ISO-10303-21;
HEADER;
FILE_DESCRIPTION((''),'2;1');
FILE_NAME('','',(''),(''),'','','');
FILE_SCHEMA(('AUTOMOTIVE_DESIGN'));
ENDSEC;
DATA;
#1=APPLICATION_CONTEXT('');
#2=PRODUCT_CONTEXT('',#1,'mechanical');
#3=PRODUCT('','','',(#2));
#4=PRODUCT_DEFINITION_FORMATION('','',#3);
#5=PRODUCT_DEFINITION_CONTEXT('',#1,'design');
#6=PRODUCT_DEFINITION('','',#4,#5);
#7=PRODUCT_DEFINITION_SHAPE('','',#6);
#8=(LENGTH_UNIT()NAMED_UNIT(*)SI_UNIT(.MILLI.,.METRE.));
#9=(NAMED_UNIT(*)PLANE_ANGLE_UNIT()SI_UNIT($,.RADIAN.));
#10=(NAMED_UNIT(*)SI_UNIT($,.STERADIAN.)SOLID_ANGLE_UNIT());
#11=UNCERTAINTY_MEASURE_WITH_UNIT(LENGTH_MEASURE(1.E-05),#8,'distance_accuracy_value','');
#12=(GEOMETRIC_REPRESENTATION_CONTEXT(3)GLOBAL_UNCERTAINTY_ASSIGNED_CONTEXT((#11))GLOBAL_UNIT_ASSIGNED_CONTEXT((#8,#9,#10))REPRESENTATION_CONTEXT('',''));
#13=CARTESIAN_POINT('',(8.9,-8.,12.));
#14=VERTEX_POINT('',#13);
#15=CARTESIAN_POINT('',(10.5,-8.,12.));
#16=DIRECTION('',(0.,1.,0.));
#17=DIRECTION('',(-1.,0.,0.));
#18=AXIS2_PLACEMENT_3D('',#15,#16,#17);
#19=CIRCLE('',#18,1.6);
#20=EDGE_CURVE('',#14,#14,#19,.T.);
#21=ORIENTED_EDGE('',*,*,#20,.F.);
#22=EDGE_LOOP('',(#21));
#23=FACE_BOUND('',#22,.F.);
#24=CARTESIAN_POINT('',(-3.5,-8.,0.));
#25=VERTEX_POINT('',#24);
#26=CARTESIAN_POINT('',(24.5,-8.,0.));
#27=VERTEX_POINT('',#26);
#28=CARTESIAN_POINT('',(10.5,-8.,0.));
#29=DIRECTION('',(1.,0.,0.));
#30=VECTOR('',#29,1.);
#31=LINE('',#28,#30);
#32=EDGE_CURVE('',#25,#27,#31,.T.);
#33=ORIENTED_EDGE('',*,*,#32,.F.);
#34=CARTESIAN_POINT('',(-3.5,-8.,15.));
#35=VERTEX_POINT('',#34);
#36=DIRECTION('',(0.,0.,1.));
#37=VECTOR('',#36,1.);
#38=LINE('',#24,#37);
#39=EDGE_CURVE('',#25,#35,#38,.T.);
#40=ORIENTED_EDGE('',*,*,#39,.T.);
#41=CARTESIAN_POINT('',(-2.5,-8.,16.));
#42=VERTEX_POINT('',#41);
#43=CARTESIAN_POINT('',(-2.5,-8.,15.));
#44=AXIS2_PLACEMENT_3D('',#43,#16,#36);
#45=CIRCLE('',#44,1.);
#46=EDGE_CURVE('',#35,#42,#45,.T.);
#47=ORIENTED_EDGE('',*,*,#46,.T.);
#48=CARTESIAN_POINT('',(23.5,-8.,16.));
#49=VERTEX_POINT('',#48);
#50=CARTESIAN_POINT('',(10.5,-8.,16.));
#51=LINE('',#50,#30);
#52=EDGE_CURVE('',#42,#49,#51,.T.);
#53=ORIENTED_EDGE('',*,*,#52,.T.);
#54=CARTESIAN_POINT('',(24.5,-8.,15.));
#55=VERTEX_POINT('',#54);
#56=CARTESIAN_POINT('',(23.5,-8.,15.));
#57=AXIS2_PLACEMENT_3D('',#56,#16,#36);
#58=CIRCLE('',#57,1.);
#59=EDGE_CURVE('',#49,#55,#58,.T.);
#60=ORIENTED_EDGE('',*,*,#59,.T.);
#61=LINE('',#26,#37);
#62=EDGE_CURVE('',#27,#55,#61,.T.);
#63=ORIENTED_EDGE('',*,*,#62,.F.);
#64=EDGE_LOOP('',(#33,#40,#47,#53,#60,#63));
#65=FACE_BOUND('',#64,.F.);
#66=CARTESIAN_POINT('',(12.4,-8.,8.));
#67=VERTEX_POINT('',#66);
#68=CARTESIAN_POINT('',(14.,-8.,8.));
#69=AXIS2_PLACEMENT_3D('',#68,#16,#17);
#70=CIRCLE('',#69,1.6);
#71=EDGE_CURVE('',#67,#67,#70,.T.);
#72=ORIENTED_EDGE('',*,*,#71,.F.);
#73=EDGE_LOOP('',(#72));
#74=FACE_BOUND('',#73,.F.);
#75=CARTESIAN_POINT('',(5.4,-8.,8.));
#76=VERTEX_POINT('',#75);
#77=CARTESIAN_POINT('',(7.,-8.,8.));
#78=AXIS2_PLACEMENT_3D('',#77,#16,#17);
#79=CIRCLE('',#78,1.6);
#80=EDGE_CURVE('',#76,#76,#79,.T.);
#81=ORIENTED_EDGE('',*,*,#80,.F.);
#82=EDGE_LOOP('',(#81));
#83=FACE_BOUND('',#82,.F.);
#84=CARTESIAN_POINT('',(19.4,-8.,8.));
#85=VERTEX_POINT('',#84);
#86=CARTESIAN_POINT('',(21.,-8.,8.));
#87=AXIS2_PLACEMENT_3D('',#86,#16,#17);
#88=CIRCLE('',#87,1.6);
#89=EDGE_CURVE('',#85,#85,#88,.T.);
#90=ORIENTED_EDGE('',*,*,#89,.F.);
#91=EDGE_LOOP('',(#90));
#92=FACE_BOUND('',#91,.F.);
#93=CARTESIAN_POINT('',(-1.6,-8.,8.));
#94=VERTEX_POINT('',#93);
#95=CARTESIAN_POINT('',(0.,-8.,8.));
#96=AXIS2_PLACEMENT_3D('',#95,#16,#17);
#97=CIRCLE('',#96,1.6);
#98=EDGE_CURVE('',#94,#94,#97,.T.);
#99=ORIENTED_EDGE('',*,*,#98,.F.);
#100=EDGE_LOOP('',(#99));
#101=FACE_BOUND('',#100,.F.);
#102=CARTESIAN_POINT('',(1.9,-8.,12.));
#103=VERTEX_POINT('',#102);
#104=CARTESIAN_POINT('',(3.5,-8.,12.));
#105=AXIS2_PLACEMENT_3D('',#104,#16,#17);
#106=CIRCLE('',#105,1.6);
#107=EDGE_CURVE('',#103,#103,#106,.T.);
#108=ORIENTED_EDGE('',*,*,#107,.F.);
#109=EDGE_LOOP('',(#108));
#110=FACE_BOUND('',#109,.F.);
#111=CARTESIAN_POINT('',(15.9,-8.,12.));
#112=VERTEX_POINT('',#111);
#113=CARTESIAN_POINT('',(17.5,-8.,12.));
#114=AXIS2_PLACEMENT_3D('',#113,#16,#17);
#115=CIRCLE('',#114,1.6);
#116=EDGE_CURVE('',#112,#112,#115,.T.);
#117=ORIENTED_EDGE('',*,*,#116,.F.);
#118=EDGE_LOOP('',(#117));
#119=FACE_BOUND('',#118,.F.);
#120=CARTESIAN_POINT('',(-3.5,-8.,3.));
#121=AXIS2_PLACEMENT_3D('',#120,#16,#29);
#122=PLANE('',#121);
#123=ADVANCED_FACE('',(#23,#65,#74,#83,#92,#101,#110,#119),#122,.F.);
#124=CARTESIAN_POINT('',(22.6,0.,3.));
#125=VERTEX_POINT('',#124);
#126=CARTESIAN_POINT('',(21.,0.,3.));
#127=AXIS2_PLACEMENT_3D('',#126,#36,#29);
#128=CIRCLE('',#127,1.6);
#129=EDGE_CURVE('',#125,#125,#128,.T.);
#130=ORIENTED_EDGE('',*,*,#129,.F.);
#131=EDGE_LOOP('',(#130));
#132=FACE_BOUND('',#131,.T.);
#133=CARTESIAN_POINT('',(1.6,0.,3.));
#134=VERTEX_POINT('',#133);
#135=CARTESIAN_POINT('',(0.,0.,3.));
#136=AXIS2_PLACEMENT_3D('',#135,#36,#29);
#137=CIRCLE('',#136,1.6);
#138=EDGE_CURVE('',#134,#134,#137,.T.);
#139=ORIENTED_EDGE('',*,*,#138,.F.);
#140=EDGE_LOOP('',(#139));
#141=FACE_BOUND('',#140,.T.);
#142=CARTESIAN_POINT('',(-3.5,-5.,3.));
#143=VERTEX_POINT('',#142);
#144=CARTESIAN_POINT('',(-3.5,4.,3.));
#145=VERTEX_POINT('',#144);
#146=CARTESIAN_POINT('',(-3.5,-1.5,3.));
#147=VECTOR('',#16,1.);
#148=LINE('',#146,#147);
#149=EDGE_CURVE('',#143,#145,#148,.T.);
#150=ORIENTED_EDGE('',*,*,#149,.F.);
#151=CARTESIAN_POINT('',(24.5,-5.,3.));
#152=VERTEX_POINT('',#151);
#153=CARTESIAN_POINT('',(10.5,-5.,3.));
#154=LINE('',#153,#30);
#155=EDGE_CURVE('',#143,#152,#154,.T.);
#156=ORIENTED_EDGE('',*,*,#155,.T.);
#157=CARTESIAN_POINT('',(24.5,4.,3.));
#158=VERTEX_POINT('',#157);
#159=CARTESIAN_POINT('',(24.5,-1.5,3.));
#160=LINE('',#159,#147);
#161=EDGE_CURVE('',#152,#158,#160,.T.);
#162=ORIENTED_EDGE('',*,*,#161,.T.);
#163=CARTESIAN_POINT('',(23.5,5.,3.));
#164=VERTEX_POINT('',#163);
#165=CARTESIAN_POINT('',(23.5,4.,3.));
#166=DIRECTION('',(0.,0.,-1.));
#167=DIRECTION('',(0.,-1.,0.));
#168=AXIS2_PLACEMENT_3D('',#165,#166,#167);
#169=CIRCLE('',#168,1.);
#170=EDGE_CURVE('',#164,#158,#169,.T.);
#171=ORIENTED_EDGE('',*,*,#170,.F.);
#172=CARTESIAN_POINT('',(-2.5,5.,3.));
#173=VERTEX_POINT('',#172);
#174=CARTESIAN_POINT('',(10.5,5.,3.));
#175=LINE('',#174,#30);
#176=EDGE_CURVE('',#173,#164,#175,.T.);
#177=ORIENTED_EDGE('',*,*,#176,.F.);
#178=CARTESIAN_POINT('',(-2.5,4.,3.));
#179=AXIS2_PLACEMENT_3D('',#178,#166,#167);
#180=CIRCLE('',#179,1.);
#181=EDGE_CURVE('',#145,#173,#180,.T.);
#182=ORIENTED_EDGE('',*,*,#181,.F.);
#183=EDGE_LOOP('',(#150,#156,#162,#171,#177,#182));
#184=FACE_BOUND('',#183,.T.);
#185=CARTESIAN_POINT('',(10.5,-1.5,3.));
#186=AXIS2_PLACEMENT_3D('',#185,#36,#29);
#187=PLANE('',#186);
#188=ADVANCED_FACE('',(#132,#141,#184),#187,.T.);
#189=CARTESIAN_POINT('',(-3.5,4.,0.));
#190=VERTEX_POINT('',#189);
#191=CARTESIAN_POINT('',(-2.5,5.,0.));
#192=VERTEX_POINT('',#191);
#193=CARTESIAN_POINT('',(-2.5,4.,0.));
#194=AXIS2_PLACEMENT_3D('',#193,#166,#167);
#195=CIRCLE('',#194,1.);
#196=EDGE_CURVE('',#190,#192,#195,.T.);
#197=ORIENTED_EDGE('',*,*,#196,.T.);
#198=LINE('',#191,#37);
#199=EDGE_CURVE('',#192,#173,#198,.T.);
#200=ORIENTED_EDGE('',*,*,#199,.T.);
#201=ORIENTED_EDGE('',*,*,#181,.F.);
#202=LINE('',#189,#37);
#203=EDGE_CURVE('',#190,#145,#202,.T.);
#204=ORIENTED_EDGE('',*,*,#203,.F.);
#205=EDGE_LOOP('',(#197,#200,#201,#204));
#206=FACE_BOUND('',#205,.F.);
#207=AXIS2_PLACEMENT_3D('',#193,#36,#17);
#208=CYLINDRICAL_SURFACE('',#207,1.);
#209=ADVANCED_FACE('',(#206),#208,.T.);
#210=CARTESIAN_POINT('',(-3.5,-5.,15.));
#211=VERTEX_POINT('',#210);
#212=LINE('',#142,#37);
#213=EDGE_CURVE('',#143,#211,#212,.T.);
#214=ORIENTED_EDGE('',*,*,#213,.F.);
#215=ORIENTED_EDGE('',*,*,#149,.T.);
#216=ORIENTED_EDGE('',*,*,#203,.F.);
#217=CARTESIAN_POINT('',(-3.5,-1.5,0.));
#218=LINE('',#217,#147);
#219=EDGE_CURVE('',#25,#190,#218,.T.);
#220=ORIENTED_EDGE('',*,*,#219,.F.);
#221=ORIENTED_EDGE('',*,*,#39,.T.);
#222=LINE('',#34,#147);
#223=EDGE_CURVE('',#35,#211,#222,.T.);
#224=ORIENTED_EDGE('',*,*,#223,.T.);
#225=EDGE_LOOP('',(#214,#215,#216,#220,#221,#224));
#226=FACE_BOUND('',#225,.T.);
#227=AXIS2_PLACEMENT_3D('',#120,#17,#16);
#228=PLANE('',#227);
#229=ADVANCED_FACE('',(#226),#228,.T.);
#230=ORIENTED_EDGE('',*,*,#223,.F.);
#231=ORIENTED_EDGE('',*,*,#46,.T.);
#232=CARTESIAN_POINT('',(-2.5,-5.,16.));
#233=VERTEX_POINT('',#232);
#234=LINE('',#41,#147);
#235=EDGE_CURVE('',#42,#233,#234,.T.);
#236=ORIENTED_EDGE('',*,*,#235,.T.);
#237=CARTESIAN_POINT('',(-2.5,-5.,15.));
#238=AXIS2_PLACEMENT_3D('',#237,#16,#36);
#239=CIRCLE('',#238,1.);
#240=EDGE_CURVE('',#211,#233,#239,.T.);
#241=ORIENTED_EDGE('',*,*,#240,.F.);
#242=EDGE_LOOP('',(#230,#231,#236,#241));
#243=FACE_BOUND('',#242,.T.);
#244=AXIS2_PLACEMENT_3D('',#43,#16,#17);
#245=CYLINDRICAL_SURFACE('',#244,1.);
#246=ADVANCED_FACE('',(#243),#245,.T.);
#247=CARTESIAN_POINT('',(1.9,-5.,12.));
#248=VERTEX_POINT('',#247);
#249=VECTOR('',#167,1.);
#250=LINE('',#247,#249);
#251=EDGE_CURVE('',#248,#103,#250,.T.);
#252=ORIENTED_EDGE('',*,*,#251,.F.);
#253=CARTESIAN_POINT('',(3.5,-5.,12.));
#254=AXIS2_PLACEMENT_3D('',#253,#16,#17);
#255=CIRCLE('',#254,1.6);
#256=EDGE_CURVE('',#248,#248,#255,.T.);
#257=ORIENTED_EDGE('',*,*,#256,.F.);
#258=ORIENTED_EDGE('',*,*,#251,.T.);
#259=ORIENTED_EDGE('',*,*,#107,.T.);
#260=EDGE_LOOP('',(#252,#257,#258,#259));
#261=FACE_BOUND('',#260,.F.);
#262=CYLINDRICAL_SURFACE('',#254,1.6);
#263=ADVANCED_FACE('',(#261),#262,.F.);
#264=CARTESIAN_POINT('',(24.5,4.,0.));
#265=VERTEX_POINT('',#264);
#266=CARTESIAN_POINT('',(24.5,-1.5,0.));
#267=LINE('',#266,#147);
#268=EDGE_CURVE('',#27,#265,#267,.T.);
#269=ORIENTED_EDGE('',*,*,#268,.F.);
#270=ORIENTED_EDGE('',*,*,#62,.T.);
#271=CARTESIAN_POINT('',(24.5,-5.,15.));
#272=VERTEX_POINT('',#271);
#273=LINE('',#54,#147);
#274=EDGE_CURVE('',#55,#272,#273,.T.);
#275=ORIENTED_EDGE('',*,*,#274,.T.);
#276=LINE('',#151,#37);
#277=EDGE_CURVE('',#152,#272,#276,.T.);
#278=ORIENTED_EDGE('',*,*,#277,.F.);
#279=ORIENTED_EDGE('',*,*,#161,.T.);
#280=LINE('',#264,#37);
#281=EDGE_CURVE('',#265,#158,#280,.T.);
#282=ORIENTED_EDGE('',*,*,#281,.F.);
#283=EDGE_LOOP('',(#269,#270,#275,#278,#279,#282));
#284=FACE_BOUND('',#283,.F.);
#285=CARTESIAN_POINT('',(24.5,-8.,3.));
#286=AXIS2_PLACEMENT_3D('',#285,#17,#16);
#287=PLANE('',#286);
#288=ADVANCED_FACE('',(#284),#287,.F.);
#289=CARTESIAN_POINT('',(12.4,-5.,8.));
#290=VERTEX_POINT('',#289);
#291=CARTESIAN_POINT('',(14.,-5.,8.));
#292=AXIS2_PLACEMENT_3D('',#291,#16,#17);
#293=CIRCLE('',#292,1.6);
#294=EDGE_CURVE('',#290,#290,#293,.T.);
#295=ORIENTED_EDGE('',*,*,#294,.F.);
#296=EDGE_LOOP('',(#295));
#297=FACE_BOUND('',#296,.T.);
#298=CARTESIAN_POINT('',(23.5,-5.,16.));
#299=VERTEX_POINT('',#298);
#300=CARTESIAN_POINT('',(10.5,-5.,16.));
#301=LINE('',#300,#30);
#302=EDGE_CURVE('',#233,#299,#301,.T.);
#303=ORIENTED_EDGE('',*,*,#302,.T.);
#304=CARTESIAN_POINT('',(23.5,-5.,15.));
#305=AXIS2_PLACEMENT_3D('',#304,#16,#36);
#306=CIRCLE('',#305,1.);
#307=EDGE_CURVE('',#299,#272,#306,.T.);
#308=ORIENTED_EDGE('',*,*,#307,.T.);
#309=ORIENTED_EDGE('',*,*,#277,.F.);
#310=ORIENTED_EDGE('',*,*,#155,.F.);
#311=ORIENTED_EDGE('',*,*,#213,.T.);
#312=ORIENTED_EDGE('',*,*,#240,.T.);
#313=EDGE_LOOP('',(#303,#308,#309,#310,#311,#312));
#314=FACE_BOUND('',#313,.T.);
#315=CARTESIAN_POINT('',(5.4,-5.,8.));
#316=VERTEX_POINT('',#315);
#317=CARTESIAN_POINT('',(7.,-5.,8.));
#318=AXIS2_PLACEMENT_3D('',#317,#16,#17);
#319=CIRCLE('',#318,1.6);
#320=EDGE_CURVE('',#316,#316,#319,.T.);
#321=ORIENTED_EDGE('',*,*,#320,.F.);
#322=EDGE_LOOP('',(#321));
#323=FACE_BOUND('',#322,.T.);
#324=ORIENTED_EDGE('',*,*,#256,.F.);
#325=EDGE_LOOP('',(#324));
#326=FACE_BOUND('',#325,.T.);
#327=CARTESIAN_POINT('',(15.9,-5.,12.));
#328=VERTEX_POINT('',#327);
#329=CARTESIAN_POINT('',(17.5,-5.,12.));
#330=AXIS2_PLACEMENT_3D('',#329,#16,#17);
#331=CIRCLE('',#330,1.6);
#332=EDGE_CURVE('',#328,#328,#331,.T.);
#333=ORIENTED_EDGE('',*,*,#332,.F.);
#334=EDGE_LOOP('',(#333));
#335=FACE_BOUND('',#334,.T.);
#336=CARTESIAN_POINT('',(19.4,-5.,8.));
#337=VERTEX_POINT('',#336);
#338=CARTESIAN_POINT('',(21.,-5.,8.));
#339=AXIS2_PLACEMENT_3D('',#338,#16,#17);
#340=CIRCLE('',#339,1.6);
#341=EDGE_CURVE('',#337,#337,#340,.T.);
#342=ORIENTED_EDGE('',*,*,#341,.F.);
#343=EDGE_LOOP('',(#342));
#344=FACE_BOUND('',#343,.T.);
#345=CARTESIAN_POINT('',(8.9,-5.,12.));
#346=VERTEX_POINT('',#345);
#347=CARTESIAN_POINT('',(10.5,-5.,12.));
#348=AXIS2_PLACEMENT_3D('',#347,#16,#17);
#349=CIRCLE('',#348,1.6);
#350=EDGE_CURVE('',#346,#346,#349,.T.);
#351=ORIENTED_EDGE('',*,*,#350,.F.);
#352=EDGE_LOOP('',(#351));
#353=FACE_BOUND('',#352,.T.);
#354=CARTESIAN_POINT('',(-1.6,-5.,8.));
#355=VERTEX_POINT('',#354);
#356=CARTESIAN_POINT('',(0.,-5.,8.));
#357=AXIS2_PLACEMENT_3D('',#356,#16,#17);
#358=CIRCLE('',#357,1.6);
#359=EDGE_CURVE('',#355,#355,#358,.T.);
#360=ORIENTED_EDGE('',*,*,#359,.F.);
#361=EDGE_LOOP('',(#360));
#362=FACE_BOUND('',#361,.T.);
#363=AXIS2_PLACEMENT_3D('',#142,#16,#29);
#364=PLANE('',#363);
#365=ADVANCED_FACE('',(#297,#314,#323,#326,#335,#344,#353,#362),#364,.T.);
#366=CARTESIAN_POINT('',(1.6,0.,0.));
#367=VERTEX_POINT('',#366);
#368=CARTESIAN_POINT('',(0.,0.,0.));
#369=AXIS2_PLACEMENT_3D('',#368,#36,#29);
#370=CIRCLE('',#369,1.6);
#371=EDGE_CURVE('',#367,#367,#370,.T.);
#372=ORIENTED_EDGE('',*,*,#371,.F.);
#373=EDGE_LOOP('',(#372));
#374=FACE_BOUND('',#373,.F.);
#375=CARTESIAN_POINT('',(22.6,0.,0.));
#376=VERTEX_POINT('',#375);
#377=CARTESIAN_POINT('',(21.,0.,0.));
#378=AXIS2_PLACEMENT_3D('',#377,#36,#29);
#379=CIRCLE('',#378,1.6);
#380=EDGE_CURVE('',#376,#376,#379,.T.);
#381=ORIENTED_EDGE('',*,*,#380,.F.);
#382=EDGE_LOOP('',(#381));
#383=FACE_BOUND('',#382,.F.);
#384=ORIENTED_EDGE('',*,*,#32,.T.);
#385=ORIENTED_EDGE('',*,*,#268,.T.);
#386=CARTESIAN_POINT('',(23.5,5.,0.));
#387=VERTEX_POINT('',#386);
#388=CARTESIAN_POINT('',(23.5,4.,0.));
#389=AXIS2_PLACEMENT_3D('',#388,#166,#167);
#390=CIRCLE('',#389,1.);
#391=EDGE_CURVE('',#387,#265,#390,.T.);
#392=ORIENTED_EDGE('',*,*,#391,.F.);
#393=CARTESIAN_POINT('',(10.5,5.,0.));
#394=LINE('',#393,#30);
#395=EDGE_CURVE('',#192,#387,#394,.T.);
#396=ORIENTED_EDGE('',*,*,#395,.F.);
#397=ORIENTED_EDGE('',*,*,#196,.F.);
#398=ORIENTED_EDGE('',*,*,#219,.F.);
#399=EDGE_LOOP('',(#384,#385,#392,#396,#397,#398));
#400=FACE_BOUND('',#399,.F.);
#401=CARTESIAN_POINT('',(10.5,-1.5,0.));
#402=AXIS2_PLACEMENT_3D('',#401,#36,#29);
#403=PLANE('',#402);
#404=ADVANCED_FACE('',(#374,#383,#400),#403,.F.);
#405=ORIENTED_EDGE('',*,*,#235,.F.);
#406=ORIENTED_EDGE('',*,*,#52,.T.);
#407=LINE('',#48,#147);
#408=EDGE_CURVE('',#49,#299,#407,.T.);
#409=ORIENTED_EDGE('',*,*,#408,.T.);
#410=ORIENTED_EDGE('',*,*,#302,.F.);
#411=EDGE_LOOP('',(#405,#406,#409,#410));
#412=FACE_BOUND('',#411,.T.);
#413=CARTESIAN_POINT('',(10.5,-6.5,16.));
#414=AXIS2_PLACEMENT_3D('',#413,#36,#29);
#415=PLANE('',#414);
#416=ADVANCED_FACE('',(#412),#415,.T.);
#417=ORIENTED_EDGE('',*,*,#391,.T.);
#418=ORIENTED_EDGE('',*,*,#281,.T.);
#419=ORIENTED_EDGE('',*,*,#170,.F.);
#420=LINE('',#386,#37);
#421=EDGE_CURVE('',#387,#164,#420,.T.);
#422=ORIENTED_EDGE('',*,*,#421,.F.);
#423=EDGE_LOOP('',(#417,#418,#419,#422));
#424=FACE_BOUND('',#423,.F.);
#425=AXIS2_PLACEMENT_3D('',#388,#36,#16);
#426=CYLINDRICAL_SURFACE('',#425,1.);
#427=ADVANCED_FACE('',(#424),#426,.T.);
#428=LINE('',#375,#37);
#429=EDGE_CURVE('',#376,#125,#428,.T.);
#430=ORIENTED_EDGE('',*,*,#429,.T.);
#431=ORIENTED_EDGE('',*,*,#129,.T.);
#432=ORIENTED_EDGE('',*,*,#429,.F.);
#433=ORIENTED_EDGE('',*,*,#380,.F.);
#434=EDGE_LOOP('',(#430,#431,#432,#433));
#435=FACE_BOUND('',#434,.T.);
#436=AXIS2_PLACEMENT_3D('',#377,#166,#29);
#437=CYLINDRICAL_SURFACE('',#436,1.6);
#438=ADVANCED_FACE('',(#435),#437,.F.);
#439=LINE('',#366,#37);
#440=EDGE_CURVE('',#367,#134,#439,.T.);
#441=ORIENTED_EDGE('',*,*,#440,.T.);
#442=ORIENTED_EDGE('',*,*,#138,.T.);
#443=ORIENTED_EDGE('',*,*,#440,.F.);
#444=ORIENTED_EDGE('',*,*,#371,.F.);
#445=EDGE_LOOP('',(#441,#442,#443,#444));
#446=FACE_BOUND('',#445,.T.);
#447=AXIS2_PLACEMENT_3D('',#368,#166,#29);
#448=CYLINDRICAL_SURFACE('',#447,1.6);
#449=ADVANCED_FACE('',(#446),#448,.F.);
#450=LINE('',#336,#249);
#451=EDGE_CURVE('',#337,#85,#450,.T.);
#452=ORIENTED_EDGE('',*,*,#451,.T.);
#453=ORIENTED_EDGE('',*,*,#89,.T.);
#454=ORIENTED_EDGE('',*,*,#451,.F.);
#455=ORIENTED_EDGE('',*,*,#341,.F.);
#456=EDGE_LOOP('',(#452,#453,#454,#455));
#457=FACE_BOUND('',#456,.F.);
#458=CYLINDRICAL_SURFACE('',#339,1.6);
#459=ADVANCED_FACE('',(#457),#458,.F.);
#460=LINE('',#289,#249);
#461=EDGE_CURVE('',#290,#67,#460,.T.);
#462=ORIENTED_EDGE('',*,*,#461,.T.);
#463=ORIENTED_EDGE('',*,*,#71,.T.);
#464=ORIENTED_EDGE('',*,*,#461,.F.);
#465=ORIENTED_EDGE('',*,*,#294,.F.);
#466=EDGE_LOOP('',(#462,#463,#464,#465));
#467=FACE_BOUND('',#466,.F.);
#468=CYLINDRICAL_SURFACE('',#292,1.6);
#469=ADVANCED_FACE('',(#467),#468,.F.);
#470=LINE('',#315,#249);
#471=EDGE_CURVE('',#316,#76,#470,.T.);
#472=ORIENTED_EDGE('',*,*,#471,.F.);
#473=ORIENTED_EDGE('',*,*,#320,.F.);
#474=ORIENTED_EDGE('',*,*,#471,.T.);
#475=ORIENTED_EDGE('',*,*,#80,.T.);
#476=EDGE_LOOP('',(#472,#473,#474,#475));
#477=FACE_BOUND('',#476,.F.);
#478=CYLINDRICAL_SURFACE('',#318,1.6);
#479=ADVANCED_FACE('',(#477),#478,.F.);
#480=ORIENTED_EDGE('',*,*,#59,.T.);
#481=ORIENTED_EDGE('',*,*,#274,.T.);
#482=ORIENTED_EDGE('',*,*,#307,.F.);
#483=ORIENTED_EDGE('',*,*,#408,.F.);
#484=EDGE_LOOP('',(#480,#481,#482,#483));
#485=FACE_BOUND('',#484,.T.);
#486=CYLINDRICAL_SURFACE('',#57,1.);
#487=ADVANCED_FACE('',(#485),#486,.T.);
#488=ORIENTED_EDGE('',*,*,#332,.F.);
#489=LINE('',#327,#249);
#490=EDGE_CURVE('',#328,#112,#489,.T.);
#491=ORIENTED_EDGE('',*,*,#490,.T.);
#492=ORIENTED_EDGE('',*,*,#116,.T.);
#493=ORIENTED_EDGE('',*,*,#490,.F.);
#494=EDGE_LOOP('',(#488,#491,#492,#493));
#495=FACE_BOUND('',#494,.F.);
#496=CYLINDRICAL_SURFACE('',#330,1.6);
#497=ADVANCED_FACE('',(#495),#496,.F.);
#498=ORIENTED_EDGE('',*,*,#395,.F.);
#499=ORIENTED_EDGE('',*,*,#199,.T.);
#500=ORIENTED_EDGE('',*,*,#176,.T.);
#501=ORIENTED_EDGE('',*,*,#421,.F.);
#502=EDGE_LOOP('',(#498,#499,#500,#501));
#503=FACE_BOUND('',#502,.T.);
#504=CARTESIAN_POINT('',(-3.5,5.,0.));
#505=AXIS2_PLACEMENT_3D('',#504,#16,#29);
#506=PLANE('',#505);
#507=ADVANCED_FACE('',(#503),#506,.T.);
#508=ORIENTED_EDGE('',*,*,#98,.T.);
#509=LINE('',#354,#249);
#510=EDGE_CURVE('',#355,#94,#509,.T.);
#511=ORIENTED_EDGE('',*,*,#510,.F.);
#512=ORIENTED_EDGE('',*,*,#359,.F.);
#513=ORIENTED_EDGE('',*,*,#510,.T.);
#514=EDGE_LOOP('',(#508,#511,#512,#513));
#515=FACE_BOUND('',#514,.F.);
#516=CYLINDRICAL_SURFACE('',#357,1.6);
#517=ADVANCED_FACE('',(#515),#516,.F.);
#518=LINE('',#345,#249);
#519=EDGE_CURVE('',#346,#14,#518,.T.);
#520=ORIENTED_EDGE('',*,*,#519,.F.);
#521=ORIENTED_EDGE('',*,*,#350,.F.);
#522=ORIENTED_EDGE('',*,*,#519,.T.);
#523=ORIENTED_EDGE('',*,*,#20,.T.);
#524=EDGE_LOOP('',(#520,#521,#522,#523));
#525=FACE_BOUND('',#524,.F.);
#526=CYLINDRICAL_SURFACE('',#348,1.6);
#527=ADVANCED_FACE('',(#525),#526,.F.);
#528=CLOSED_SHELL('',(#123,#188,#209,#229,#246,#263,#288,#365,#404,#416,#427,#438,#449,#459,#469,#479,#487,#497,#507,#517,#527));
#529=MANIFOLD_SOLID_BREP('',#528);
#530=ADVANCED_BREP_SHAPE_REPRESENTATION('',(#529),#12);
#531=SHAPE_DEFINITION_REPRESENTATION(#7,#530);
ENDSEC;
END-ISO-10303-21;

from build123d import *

# Parameters (mm, degrees)
SKETCH_W     = 28
SKETCH_H     = 13
SKETCH_R     = 1.6
PAD_DEPTH    = 3
SKETCH001_W  = 28
SKETCH001_H  = 3
PAD001_DEPTH = 13
SKETCH002_R  = 1.6
POCKET_DEPTH = 3.001
FILLET_R     = 1


with BuildPart() as part:
    # Sketch → Pad (new body)
    with BuildSketch(Plane.XY):
        with Locations((10.5, -1.5)):
            Rectangle(SKETCH_W, SKETCH_H)
        Circle(SKETCH_R, mode=Mode.SUBTRACT)
        with Locations((21, 0)):
            Circle(SKETCH_R, mode=Mode.SUBTRACT)
    extrude(amount=PAD_DEPTH)

    # Sketch001 (on Face8 of Pad) → Pad001 (join)
    with BuildSketch(Plane.XY.offset(3)):
        with Locations((10.5, -6.5)):
            Rectangle(SKETCH001_W, SKETCH001_H)
    extrude(amount=PAD001_DEPTH)

    # Sketch002 (on Face11 of Pad001) → Pocket (cut, through all)
    with BuildSketch(Plane(origin=(0, -5, 0), x_dir=(-1, 0, 0), z_dir=(0, 1, 0))):
        with Locations((-21, 8)):
            Circle(SKETCH002_R)
        with Locations((-17.5, 12)):
            Circle(SKETCH002_R)
        with Locations((-14, 8)):
            Circle(SKETCH002_R)
        with Locations((-10.5, 12)):
            Circle(SKETCH002_R)
        with Locations((-7, 8)):
            Circle(SKETCH002_R)
        with Locations((-3.5, 12)):
            Circle(SKETCH002_R)
        with Locations((0, 8)):
            Circle(SKETCH002_R)
    extrude(amount=-POCKET_DEPTH, mode=Mode.SUBTRACT)

    # Fillet
    fillet_edges = [part.edges().sort_by_distance(p)[0] for p in [
        (24.5, -6.5, 16),
        (-3.5, -6.5, 16),
        (-3.5, 5, 1.5),
        (24.5, 5, 1.5),
    ]]
    fillet(fillet_edges, radius=FILLET_R)


solid = part.part
